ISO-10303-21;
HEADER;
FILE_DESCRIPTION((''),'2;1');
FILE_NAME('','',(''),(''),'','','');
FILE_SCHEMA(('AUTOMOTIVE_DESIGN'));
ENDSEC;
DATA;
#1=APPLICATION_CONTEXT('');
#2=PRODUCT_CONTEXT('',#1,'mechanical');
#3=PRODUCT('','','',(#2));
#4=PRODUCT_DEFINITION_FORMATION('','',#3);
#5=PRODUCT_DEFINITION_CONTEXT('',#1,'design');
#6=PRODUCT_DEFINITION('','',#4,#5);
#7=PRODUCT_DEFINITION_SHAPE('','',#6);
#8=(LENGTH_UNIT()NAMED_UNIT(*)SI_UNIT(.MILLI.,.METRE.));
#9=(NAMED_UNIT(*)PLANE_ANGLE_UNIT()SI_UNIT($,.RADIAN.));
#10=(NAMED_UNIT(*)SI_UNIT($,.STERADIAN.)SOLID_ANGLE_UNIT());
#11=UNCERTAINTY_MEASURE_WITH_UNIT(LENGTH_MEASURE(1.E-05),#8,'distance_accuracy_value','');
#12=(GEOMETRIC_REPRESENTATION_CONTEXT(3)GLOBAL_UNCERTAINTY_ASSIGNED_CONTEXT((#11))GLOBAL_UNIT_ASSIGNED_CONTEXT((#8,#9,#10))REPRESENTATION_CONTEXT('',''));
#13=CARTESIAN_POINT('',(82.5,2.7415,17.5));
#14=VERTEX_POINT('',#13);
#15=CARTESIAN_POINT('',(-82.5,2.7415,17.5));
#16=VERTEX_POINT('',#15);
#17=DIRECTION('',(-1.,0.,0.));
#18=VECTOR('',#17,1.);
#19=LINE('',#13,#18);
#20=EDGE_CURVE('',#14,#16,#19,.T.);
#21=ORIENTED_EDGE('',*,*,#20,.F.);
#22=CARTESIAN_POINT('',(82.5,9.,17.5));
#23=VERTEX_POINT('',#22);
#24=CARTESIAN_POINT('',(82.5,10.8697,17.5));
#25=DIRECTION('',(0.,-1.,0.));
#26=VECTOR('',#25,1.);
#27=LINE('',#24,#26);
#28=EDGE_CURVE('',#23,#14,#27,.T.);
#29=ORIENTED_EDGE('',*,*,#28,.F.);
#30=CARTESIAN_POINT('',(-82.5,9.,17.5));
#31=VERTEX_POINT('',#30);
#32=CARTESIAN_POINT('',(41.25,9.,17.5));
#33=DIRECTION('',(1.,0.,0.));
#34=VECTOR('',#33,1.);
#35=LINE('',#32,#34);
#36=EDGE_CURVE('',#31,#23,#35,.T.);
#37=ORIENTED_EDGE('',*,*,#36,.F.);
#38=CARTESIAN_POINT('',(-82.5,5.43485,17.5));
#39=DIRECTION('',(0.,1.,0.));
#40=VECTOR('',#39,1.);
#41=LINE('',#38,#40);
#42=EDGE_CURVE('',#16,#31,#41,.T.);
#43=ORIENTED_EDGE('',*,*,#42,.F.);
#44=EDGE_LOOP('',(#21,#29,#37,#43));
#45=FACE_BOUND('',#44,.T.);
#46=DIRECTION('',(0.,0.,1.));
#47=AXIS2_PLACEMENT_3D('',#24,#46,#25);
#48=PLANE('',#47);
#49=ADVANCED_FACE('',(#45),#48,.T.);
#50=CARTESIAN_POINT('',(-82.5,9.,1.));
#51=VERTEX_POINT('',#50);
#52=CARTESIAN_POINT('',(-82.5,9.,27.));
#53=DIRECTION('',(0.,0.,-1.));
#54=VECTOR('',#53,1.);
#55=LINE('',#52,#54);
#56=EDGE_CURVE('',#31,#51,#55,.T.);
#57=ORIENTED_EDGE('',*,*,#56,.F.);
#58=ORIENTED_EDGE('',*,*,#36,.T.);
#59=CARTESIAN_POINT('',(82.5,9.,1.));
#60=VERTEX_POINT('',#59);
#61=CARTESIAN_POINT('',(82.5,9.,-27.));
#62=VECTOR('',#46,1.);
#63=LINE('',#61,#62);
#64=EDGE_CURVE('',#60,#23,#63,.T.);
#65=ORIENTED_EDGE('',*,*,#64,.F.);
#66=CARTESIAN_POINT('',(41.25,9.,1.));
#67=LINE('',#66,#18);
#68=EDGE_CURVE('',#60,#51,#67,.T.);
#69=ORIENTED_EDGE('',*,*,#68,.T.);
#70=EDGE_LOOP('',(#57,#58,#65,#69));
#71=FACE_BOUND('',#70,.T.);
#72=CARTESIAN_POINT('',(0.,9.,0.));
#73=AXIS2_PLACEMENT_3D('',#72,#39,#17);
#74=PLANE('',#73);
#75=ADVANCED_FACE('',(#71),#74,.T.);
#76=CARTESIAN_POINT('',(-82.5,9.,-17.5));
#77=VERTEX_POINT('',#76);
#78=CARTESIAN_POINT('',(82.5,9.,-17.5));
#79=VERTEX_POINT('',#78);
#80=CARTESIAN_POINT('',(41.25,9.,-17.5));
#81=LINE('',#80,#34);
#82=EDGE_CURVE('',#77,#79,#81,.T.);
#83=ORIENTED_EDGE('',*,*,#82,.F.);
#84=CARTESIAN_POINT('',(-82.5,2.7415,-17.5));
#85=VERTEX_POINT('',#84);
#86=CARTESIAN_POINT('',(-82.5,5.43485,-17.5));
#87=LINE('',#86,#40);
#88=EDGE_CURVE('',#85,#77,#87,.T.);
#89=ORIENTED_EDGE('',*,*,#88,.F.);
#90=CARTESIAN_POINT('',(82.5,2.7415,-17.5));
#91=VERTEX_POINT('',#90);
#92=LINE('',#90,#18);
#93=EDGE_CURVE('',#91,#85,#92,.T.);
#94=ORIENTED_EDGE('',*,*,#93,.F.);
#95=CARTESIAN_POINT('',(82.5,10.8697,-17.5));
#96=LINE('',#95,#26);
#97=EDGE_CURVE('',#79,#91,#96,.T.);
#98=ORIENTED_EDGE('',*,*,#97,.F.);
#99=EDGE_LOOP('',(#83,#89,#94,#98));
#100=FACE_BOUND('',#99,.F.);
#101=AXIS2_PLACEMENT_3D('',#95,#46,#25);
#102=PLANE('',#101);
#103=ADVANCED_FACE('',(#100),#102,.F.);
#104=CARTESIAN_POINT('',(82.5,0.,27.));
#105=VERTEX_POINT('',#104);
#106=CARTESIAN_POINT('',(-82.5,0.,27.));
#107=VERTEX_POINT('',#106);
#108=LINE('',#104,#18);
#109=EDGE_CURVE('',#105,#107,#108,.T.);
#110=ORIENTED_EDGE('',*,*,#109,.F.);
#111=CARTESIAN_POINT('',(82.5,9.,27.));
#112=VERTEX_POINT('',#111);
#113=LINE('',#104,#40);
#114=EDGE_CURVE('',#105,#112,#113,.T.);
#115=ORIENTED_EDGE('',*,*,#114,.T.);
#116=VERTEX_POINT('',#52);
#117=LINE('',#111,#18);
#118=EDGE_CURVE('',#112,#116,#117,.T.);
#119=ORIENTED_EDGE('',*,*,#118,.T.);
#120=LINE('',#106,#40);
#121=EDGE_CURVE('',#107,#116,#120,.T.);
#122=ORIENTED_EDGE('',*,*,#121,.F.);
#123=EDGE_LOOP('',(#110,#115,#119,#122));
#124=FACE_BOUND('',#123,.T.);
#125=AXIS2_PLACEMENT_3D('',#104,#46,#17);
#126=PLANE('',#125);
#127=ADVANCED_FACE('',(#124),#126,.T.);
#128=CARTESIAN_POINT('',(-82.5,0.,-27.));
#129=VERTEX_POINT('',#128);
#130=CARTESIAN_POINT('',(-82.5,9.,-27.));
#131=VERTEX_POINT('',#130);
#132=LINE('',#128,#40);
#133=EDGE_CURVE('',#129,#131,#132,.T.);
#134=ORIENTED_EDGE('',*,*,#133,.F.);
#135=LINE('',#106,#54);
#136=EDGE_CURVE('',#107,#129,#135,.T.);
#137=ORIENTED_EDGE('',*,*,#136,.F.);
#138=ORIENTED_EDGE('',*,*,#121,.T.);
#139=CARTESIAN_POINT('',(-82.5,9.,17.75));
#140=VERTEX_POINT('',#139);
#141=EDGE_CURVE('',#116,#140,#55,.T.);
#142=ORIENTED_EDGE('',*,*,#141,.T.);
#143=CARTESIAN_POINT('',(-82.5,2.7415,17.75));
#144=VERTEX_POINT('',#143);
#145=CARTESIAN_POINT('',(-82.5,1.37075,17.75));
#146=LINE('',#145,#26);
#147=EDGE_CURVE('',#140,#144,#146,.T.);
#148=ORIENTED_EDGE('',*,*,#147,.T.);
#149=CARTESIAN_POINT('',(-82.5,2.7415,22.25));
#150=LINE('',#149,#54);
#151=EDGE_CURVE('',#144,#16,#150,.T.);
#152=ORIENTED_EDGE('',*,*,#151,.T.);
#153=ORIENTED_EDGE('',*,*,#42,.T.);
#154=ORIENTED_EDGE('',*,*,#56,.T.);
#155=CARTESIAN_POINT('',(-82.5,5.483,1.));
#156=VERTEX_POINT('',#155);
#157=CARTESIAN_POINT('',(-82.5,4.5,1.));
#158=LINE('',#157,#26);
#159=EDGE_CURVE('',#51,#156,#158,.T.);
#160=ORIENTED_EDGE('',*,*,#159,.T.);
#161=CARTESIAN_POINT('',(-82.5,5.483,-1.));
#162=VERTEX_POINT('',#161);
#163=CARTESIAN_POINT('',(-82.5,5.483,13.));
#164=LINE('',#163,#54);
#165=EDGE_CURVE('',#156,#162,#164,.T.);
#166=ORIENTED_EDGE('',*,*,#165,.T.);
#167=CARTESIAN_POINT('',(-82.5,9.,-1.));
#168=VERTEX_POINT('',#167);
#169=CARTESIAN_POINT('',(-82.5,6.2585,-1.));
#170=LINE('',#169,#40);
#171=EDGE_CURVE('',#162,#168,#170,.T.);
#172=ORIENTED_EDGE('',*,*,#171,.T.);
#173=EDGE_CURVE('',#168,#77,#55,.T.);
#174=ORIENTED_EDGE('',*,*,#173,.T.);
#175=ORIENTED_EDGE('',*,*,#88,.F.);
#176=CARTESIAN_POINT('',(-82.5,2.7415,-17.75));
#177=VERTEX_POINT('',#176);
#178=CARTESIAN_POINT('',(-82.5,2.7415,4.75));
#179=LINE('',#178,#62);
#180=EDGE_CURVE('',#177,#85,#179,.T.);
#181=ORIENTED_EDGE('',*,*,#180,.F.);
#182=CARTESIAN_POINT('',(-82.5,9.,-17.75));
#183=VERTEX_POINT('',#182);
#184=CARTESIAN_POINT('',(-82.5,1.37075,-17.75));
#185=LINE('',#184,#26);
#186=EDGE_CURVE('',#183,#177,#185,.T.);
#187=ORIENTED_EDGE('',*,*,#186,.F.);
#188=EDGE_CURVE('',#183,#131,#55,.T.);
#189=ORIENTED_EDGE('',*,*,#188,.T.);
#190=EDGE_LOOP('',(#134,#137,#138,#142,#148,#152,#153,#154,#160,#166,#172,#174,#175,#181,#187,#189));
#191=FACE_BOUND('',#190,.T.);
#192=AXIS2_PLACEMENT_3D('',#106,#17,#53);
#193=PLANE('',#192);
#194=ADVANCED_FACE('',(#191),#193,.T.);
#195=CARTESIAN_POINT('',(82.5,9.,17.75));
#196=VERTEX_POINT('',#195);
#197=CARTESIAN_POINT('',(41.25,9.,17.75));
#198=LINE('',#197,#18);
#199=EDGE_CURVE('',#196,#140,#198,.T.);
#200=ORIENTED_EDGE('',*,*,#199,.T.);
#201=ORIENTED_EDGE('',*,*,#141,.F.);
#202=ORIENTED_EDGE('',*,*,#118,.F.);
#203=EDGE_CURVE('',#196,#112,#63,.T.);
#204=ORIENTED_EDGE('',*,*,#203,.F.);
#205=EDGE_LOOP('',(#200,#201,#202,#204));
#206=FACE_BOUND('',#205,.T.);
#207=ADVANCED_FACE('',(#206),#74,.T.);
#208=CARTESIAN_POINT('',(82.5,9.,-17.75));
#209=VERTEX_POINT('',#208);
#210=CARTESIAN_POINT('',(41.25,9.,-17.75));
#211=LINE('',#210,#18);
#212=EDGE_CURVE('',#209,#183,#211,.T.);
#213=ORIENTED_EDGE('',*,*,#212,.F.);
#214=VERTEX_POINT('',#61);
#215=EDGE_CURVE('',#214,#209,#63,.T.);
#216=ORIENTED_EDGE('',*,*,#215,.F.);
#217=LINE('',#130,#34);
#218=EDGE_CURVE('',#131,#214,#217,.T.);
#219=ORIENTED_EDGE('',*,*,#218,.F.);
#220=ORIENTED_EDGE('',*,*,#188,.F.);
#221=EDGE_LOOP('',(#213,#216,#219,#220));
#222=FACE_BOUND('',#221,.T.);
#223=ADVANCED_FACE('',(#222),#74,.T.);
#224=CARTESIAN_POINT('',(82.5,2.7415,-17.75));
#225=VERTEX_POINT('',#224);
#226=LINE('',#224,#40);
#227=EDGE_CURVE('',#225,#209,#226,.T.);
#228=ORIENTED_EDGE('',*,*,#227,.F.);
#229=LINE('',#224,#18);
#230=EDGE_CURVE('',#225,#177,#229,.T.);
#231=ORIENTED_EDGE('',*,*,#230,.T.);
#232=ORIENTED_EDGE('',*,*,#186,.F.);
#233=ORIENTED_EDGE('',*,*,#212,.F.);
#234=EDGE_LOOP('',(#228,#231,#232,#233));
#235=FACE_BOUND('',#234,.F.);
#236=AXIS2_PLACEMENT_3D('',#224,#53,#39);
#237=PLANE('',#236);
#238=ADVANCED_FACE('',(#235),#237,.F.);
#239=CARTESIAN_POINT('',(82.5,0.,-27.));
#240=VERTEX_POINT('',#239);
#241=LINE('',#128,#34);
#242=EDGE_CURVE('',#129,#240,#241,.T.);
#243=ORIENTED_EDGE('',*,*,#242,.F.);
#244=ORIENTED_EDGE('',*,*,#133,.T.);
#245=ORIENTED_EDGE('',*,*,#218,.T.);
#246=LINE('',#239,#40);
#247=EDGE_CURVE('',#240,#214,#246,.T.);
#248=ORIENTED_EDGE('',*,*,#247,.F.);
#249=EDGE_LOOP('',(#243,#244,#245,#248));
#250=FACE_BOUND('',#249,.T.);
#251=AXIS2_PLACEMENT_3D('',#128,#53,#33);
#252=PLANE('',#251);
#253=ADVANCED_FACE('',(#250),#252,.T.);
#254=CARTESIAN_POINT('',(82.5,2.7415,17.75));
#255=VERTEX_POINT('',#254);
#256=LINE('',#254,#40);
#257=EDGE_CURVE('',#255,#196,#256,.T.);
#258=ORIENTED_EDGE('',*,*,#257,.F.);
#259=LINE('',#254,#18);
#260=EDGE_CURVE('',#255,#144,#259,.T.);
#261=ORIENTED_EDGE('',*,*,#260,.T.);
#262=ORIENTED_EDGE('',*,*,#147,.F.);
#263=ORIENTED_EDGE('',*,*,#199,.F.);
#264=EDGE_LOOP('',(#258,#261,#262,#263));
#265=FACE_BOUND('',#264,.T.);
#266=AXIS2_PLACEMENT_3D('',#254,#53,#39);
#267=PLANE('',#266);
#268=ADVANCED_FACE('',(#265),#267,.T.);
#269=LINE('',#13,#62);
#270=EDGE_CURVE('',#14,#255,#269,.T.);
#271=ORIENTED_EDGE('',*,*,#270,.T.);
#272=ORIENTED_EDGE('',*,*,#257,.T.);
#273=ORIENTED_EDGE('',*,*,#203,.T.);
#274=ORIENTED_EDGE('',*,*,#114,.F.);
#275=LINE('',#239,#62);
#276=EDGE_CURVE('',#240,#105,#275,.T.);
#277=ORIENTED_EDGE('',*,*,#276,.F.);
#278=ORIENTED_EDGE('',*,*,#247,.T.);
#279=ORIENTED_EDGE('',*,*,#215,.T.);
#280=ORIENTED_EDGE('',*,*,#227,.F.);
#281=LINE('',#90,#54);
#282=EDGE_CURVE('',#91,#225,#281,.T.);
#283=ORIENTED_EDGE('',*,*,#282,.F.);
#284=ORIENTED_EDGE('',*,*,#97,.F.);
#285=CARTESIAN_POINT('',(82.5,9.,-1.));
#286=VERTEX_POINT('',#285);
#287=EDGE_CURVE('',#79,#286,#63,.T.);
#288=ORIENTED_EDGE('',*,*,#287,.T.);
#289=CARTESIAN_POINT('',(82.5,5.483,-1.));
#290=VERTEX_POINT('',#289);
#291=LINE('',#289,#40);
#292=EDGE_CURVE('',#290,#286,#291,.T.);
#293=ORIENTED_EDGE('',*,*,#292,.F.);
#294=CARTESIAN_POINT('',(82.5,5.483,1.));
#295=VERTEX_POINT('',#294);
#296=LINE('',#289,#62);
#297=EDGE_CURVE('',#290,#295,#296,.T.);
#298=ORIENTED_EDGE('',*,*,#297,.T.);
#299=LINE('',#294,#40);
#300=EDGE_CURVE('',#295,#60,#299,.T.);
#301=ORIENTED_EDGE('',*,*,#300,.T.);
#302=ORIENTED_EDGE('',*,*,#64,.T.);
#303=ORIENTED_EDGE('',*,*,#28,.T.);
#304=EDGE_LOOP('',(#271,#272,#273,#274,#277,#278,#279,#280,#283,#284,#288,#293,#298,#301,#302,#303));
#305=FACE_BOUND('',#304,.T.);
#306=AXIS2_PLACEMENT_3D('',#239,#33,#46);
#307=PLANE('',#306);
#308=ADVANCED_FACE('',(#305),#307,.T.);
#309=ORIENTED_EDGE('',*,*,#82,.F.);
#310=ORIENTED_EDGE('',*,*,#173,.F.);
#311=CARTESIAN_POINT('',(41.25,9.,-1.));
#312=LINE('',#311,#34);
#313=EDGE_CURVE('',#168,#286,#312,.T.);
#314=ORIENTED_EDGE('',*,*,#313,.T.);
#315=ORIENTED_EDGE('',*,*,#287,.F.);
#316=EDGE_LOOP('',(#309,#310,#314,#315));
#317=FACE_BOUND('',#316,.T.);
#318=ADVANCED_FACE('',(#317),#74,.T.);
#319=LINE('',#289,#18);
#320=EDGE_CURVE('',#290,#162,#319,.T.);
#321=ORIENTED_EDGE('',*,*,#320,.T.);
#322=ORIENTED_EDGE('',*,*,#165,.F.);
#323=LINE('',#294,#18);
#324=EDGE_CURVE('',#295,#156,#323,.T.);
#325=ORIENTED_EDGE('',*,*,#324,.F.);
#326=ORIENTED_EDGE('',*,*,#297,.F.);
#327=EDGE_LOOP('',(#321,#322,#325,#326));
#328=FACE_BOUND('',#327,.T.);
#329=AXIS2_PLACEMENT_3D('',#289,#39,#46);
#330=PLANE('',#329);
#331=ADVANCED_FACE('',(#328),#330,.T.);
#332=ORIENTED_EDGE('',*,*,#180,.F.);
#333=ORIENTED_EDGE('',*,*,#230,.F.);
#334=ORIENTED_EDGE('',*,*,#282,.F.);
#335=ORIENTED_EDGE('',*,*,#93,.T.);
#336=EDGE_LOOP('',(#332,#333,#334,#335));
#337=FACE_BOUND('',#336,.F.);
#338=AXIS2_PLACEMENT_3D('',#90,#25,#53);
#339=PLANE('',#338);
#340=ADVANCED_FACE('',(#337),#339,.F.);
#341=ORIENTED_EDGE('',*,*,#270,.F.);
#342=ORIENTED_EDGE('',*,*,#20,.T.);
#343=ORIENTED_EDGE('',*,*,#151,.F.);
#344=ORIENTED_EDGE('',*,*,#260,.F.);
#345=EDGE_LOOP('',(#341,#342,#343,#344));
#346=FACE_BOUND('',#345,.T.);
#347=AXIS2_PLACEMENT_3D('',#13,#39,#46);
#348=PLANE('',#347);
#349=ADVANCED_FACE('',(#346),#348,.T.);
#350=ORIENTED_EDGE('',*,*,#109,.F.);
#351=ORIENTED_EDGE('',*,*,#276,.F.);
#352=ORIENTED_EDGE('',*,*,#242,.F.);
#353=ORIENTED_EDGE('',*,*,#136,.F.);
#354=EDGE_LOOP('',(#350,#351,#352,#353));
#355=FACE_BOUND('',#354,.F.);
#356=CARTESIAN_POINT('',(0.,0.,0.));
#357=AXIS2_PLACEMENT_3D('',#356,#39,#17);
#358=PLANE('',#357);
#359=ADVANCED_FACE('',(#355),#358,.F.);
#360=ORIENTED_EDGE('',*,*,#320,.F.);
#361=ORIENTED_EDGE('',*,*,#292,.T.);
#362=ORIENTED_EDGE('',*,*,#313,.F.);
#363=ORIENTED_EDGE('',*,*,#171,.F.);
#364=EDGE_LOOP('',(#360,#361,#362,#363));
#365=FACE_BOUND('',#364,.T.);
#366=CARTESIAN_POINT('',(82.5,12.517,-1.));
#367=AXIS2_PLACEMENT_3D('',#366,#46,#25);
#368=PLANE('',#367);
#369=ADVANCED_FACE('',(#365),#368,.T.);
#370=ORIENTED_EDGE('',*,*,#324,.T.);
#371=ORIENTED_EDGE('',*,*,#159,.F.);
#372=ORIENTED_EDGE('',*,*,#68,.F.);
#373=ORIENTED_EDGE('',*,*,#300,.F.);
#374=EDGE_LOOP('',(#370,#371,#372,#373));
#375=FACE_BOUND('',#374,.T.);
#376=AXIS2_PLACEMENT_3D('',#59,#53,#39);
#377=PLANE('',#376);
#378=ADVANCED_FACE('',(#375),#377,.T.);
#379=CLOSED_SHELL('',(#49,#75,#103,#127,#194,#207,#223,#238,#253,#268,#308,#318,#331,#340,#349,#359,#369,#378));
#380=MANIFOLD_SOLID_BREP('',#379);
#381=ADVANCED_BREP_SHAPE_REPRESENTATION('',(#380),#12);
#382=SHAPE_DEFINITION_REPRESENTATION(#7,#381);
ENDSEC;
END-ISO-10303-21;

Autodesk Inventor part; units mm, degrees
ref_plane "YZ Plane" through (0, 0, 0) normal (1, 0, 0) x (0, 1, 0)
ref_plane "XZ Plane" through (0, 0, 0) normal (0, 1, 0) x (-1, 0, 0)
ref_plane "XY Plane" through (0, 0, 0) normal (0, 0, 1) x (1, 0, 0)
sketch "Sketch1" plane through (0, 0, 0) normal (0, 1, 0) x (-1, 0, 0)
  line L0 (82.5, -27) -> (-82.5, -27)
  line L1 (-82.5, -27) -> (-82.5, 27)
  line L2 (-82.5, 27) -> (82.5, 27)
  line L3 (82.5, 27) -> (82.5, -27)
  line L4 (82.5, -27) -> (-82.5, 27) construction
  line L5 (-82.5, -27) -> (82.5, 27) construction
  point P0 (0, 0)
  dimension "d0" = 165
  dimension "d1" = 54
extrude "Extrusion1" add sketch "Sketch1" along normal blind 9
sketch "Sketch2" plane through (82.5, 0, 27) normal (1, 0, 0) x (0, 0, -1)
  line L0 (0, 9) -> (54, 9) projected
  line L1 (27, 0) -> (27, 9) construction
  line L2 (26, 12.517) -> (28, 12.517)
  line L3 (28, 12.517) -> (28, 5.483)
  line L4 (28, 5.483) -> (26, 5.483)
  line L5 (26, 5.483) -> (26, 12.517)
  line L6 (26, 12.517) -> (28, 5.483) construction
  line L7 (28, 12.517) -> (26, 5.483) construction
  dimension "d4" = 2
extrude "Extrusion2" cut sketch "Sketch2" against normal blind 203.725
sketch "Sketch3" plane through (82.5, 0, 27) normal (1, 0, 0) x (0, 0, -1)
  line L0 (27, 0) -> (27, 5.483) construction
  line L1 (28, 5.483) -> (26, 5.483) construction
  line L2 (27, 2.7415) -> (44.5, 2.7415) construction
  line L3 (44.5, 2.7415) -> (44.75, 2.7415)
  line L4 (44.75, 2.7415) -> (44.75, 10.8697)
  line L5 (44.75, 10.8697) -> (44.5, 10.8697)
  line L6 (44.5, 10.8697) -> (44.5, 2.7415)
  line L7 (9.5, 2.7415) -> (9.25, 2.7415)
  line L8 (9.25, 2.7415) -> (9.25, 10.8697)
  line L9 (9.25, 10.8697) -> (9.5, 10.8697)
  line L10 (9.5, 10.8697) -> (9.5, 2.7415)
  dimension "d7" = 17.5
  dimension "d8" = 0.25
extrude "Extrusion3" cut sketch "Sketch3" against normal blind 203.725
properties part number "Large Bread Board" material "PC/ABS Plastic"
